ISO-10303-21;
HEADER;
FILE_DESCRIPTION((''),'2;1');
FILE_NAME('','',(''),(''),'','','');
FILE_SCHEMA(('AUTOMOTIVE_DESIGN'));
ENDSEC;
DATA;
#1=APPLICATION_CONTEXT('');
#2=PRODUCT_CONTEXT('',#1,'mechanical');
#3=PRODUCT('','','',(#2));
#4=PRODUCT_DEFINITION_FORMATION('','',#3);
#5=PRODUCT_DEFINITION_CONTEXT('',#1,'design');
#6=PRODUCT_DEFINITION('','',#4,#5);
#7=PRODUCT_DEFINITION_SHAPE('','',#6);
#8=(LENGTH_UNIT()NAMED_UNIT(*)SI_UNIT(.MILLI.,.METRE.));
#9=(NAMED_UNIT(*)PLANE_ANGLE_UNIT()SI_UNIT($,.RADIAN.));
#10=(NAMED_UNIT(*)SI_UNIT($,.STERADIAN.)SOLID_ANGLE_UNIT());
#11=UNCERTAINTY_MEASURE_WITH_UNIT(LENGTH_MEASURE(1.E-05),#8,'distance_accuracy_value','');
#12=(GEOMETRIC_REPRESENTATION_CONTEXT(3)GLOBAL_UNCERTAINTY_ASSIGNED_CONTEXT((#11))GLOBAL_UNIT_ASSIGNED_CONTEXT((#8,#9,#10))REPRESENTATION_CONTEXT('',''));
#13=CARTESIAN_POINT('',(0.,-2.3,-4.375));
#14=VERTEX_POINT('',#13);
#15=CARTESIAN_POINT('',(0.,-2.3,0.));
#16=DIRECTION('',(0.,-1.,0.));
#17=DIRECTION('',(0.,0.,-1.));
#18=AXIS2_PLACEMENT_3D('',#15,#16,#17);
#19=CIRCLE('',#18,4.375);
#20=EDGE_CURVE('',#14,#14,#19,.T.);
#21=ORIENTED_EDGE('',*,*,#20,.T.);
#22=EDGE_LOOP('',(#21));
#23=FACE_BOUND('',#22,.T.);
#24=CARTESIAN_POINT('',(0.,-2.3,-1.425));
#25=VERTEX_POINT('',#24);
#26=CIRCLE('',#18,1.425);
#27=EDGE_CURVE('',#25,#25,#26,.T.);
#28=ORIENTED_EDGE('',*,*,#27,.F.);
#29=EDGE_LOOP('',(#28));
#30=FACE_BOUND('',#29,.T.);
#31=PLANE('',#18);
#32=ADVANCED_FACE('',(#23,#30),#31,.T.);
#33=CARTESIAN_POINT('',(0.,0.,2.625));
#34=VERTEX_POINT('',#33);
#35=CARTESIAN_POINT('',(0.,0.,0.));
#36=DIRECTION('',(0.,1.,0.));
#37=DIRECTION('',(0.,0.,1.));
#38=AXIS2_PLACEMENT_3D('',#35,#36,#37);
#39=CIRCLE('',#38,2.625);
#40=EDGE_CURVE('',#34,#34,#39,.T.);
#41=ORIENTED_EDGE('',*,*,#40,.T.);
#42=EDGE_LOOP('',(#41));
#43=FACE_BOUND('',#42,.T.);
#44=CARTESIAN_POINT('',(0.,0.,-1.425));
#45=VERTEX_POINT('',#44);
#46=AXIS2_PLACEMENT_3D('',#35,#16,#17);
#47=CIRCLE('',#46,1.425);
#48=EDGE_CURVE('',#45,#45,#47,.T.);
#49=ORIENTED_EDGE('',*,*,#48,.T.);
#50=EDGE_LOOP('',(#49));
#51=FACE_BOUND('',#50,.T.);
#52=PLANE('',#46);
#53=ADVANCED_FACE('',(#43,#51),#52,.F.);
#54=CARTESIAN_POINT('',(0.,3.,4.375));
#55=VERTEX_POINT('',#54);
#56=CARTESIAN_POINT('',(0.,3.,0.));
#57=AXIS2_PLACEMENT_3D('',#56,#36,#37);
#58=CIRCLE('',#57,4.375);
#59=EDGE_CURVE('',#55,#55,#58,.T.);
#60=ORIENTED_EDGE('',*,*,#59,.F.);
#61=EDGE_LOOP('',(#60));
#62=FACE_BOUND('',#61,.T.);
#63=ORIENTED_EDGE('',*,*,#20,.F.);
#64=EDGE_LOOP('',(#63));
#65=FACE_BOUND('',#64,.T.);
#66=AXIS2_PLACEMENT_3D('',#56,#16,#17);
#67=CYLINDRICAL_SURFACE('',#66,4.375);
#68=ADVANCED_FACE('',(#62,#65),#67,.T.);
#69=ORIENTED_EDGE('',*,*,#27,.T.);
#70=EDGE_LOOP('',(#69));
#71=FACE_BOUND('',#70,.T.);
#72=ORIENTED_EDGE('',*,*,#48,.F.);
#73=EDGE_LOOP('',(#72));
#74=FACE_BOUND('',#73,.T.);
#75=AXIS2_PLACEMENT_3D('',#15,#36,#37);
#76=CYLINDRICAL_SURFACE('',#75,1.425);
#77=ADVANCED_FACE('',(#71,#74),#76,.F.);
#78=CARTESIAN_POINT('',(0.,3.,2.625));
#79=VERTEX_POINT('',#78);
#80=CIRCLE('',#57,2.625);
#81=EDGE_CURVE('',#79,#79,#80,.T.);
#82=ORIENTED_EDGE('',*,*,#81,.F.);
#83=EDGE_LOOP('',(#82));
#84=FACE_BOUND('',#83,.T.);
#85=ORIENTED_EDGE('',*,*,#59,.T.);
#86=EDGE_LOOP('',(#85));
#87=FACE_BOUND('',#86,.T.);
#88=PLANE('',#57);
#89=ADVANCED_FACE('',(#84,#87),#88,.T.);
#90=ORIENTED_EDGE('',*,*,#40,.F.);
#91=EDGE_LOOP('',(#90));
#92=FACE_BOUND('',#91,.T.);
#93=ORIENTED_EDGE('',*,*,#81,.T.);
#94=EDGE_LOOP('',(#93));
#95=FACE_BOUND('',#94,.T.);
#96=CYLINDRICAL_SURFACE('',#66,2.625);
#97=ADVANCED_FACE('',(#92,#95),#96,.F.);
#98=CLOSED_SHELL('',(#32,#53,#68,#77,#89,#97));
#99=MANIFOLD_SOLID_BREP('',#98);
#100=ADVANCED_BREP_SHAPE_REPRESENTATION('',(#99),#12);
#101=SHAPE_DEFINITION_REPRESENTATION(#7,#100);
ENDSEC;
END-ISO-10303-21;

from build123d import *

# Parameters (mm, degrees)
SKETCH1_R           = 4.375
SKETCH1_R_2         = 2.625
BOSS_EXTRUDE1_DEPTH = 3
BOSS_EXTRUDE2_START = 2.3
SKETCH2_R           = 4.375
SKETCH2_R_2         = 1.425
BOSS_EXTRUDE2_DEPTH = 2.3


with BuildPart() as part:
    # Sketch1 → Boss-Extrude1 (new body)
    with BuildSketch(Plane(origin=(0, 0, 0), x_dir=(1, 0, 0), z_dir=(0, 1, 0))):
        with Locations(Location((0, 0, 0), (0, 0, 270))):
            Circle(SKETCH1_R)
        with Locations(Location((0, 0, 0), (0, 0, 270))):
            Circle(SKETCH1_R_2, mode=Mode.SUBTRACT)
    extrude(amount=BOSS_EXTRUDE1_DEPTH)

    # Sketch2 → Boss-Extrude2 (add)
    with BuildSketch(Plane.XZ.offset(BOSS_EXTRUDE2_START)):
        with Locations(Location((0, 0, 0), (0, 0, 270))):
            Circle(SKETCH2_R)
        with Locations(Location((0, 0, 0), (0, 0, 270))):
            Circle(SKETCH2_R_2, mode=Mode.SUBTRACT)
    extrude(amount=-BOSS_EXTRUDE2_DEPTH)


solid = part.part
